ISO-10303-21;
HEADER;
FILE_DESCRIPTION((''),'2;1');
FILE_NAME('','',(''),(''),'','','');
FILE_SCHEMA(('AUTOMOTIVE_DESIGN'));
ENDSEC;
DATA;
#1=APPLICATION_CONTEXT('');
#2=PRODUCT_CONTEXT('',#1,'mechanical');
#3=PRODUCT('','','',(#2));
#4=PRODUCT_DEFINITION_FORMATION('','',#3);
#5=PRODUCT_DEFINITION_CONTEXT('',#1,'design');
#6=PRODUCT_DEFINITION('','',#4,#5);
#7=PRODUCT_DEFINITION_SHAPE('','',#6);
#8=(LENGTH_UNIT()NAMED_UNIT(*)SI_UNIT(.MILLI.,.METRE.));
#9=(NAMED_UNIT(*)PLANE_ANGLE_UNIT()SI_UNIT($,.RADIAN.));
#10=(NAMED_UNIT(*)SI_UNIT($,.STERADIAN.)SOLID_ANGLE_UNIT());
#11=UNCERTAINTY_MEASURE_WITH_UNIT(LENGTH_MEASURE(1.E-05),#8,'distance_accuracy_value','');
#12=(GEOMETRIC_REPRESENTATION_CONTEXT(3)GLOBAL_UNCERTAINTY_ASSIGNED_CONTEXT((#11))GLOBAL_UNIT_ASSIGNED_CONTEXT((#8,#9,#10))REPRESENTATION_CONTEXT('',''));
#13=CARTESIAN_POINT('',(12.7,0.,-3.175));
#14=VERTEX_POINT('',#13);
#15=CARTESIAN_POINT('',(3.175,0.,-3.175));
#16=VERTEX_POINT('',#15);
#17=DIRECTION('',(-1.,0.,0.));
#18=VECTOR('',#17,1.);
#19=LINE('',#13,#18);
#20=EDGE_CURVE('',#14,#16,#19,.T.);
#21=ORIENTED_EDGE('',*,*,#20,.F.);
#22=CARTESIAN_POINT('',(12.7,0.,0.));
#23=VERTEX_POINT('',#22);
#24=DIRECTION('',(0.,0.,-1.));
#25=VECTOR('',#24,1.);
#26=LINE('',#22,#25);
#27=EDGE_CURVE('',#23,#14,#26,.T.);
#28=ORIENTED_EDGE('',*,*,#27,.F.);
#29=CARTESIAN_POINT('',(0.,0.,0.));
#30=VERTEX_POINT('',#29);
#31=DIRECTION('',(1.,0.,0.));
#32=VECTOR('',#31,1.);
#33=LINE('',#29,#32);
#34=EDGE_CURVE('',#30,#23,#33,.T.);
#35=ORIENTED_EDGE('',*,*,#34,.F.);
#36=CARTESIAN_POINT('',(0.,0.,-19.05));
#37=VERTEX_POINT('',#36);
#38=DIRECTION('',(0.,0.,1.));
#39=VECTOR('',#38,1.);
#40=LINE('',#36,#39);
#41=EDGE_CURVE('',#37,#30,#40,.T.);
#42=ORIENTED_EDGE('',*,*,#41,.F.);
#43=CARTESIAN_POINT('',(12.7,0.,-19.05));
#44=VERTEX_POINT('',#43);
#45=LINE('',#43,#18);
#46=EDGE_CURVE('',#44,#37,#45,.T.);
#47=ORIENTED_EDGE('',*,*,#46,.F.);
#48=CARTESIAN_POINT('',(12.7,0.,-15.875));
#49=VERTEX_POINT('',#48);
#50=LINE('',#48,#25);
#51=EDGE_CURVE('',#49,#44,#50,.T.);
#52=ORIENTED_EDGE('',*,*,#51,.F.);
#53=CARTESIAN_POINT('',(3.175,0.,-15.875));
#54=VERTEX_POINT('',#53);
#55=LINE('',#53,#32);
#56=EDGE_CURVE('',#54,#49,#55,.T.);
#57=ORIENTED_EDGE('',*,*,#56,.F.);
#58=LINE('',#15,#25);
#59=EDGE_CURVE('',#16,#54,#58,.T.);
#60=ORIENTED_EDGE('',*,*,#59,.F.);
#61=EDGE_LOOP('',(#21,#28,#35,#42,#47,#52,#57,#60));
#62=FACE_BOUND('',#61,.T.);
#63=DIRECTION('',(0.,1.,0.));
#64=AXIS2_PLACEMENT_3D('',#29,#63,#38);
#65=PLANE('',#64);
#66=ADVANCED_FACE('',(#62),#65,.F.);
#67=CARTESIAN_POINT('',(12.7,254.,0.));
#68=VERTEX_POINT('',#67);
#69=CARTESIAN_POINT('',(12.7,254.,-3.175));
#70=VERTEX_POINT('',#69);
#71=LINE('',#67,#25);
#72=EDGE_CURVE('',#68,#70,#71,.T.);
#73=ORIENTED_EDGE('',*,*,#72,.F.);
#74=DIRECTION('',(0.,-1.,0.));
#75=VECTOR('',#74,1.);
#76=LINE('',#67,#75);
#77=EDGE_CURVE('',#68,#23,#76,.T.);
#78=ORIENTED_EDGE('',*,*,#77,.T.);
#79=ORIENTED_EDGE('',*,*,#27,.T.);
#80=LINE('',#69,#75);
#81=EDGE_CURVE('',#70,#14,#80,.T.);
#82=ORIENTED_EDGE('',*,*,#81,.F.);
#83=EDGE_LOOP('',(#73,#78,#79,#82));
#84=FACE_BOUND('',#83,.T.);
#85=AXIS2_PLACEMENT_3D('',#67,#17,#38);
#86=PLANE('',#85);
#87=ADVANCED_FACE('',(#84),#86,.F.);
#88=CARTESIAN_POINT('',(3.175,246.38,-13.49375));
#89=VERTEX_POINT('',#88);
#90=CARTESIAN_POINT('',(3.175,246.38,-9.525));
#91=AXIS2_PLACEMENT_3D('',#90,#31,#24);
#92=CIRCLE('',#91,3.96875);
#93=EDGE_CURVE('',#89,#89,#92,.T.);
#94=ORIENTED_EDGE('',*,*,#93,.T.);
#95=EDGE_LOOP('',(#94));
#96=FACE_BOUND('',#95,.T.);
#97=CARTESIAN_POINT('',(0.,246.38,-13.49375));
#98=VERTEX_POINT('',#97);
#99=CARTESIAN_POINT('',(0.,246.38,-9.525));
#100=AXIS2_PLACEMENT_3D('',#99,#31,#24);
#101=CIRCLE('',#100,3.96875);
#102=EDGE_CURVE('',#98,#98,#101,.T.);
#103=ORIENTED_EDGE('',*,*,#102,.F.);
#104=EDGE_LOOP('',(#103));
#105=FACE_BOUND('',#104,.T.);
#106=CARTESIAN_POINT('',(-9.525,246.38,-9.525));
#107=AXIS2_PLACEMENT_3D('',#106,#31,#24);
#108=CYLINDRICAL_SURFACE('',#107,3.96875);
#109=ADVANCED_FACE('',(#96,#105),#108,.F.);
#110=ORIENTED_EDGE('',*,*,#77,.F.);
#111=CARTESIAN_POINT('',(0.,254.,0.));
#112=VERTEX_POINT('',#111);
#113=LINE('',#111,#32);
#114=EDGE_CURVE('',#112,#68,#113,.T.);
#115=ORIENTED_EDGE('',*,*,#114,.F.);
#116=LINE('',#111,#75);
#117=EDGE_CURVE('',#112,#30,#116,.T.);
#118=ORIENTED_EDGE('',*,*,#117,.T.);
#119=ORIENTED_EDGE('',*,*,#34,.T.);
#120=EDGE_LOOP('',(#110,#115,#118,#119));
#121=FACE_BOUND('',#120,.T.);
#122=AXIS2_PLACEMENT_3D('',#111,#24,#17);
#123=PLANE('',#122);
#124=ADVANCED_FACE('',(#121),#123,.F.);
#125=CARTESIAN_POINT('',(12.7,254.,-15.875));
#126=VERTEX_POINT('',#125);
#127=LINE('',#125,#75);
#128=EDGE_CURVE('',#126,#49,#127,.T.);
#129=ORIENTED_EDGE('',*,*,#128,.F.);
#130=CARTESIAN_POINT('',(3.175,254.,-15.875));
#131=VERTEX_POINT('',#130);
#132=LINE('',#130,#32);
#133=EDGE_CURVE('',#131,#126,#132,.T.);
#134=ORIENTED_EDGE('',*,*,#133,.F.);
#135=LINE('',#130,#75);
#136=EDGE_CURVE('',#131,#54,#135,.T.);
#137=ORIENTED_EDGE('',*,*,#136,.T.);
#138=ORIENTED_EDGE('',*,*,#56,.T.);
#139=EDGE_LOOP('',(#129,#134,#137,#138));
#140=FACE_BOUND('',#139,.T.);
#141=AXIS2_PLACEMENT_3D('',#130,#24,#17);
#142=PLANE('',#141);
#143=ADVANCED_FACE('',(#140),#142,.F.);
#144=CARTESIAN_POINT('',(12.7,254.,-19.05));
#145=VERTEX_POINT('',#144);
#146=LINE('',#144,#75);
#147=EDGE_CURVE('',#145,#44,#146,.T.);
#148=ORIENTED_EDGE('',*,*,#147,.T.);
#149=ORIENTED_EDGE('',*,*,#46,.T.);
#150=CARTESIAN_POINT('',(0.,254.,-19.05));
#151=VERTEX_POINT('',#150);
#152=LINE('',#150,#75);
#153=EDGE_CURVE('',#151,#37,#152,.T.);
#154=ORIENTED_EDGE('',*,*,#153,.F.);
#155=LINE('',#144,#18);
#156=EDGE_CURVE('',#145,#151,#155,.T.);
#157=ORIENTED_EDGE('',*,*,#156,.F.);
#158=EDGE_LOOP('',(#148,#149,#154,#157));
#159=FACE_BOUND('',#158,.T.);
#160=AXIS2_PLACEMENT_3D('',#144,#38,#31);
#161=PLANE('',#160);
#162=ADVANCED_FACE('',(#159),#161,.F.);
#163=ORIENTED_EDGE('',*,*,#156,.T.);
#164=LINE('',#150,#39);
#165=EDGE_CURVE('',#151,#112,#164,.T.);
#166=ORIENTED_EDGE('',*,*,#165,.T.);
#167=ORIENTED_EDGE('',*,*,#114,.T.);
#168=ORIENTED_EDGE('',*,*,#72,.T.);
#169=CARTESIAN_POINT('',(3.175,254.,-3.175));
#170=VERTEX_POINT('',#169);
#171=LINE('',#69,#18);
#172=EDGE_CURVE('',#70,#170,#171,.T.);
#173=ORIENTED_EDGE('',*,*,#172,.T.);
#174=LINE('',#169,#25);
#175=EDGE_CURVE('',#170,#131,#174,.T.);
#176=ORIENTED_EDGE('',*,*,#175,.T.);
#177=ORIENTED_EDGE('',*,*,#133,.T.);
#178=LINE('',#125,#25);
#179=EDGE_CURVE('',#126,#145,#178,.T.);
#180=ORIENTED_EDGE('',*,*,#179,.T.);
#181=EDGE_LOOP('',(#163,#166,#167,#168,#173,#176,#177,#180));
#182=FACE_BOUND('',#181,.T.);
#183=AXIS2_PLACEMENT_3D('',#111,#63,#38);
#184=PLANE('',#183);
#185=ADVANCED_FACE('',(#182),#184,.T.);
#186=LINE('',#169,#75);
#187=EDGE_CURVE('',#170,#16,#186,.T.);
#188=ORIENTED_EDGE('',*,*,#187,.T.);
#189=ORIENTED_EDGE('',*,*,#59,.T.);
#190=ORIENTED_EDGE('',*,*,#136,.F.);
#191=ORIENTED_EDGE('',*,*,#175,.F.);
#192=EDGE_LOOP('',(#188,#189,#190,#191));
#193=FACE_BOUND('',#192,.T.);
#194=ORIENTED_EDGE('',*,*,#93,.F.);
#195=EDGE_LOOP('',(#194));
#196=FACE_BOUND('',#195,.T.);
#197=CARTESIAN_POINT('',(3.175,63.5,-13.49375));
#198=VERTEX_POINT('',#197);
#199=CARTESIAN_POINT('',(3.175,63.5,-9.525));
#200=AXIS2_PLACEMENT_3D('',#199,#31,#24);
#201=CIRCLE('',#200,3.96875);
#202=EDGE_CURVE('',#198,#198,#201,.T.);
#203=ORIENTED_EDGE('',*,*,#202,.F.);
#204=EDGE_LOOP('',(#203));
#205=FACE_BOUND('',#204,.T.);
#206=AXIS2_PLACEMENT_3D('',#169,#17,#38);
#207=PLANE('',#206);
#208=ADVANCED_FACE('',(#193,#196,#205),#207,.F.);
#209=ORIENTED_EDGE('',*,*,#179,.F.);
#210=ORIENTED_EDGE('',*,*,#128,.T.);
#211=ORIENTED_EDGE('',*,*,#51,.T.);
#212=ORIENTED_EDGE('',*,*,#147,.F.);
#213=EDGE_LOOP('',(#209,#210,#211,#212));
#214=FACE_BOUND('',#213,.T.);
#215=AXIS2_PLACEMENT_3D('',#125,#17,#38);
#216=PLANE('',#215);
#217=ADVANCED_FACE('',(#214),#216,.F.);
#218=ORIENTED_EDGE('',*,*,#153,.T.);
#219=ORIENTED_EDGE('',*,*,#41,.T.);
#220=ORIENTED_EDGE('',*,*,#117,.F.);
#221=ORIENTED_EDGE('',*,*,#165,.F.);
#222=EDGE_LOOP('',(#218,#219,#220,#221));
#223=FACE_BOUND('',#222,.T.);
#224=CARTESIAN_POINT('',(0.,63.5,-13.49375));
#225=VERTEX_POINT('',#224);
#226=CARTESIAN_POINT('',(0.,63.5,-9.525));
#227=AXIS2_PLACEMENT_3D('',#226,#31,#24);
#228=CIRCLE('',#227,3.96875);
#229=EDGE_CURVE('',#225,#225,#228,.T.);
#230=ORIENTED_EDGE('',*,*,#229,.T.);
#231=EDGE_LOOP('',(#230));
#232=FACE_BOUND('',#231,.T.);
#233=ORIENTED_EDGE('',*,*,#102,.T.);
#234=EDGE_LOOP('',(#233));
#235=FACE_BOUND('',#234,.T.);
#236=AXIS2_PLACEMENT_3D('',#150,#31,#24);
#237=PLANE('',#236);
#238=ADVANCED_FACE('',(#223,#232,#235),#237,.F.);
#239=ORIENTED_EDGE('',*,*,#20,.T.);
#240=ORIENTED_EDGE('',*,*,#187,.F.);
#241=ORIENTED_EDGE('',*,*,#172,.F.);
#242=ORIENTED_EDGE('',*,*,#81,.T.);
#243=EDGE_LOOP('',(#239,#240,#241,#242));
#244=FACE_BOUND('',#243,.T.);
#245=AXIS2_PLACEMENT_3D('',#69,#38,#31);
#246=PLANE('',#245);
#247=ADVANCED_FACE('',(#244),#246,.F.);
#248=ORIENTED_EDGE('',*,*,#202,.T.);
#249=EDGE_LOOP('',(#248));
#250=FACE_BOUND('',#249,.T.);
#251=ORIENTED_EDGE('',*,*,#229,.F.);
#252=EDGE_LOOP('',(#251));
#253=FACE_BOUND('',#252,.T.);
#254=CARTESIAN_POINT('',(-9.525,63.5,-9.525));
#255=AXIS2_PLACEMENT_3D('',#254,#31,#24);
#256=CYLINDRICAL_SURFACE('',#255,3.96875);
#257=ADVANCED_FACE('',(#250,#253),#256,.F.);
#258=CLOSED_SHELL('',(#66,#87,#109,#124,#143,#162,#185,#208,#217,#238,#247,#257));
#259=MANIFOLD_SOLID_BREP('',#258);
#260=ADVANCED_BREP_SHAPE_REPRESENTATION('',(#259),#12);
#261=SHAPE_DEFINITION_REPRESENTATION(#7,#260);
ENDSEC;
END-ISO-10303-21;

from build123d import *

# Parameters (mm, degrees)
BOSS_EXTRUDE1_DEPTH = 254
SKETCH5_R           = 3.96875
CUT_EXTRUDE1_DEPTH  = 12.7


with BuildPart() as part:
    # Sketch1 → Boss-Extrude1 (new body)
    with BuildSketch(Plane(origin=(0, 0, 0), x_dir=(1, 0, 0), z_dir=(0, 1, 0))):
        Polygon((0, 0), (12.7, 0), (12.7, 3.175), (3.175, 3.175), (3.175, 15.875), (12.7, 15.875), (12.7, 19.05), (0, 19.05), align=None)
    extrude(amount=BOSS_EXTRUDE1_DEPTH)

    # Sketch5 → Cut-Extrude1 (cut)
    with BuildSketch(Plane(origin=(3.175, 0, 0), x_dir=(0, 0, -1), z_dir=(1, 0, 0))):
        with Locations((9.525, 63.5)):
            Circle(SKETCH5_R)
        with Locations((9.525, 246.38)):
            Circle(SKETCH5_R)
    extrude(amount=-CUT_EXTRUDE1_DEPTH, mode=Mode.SUBTRACT)


solid = part.part
